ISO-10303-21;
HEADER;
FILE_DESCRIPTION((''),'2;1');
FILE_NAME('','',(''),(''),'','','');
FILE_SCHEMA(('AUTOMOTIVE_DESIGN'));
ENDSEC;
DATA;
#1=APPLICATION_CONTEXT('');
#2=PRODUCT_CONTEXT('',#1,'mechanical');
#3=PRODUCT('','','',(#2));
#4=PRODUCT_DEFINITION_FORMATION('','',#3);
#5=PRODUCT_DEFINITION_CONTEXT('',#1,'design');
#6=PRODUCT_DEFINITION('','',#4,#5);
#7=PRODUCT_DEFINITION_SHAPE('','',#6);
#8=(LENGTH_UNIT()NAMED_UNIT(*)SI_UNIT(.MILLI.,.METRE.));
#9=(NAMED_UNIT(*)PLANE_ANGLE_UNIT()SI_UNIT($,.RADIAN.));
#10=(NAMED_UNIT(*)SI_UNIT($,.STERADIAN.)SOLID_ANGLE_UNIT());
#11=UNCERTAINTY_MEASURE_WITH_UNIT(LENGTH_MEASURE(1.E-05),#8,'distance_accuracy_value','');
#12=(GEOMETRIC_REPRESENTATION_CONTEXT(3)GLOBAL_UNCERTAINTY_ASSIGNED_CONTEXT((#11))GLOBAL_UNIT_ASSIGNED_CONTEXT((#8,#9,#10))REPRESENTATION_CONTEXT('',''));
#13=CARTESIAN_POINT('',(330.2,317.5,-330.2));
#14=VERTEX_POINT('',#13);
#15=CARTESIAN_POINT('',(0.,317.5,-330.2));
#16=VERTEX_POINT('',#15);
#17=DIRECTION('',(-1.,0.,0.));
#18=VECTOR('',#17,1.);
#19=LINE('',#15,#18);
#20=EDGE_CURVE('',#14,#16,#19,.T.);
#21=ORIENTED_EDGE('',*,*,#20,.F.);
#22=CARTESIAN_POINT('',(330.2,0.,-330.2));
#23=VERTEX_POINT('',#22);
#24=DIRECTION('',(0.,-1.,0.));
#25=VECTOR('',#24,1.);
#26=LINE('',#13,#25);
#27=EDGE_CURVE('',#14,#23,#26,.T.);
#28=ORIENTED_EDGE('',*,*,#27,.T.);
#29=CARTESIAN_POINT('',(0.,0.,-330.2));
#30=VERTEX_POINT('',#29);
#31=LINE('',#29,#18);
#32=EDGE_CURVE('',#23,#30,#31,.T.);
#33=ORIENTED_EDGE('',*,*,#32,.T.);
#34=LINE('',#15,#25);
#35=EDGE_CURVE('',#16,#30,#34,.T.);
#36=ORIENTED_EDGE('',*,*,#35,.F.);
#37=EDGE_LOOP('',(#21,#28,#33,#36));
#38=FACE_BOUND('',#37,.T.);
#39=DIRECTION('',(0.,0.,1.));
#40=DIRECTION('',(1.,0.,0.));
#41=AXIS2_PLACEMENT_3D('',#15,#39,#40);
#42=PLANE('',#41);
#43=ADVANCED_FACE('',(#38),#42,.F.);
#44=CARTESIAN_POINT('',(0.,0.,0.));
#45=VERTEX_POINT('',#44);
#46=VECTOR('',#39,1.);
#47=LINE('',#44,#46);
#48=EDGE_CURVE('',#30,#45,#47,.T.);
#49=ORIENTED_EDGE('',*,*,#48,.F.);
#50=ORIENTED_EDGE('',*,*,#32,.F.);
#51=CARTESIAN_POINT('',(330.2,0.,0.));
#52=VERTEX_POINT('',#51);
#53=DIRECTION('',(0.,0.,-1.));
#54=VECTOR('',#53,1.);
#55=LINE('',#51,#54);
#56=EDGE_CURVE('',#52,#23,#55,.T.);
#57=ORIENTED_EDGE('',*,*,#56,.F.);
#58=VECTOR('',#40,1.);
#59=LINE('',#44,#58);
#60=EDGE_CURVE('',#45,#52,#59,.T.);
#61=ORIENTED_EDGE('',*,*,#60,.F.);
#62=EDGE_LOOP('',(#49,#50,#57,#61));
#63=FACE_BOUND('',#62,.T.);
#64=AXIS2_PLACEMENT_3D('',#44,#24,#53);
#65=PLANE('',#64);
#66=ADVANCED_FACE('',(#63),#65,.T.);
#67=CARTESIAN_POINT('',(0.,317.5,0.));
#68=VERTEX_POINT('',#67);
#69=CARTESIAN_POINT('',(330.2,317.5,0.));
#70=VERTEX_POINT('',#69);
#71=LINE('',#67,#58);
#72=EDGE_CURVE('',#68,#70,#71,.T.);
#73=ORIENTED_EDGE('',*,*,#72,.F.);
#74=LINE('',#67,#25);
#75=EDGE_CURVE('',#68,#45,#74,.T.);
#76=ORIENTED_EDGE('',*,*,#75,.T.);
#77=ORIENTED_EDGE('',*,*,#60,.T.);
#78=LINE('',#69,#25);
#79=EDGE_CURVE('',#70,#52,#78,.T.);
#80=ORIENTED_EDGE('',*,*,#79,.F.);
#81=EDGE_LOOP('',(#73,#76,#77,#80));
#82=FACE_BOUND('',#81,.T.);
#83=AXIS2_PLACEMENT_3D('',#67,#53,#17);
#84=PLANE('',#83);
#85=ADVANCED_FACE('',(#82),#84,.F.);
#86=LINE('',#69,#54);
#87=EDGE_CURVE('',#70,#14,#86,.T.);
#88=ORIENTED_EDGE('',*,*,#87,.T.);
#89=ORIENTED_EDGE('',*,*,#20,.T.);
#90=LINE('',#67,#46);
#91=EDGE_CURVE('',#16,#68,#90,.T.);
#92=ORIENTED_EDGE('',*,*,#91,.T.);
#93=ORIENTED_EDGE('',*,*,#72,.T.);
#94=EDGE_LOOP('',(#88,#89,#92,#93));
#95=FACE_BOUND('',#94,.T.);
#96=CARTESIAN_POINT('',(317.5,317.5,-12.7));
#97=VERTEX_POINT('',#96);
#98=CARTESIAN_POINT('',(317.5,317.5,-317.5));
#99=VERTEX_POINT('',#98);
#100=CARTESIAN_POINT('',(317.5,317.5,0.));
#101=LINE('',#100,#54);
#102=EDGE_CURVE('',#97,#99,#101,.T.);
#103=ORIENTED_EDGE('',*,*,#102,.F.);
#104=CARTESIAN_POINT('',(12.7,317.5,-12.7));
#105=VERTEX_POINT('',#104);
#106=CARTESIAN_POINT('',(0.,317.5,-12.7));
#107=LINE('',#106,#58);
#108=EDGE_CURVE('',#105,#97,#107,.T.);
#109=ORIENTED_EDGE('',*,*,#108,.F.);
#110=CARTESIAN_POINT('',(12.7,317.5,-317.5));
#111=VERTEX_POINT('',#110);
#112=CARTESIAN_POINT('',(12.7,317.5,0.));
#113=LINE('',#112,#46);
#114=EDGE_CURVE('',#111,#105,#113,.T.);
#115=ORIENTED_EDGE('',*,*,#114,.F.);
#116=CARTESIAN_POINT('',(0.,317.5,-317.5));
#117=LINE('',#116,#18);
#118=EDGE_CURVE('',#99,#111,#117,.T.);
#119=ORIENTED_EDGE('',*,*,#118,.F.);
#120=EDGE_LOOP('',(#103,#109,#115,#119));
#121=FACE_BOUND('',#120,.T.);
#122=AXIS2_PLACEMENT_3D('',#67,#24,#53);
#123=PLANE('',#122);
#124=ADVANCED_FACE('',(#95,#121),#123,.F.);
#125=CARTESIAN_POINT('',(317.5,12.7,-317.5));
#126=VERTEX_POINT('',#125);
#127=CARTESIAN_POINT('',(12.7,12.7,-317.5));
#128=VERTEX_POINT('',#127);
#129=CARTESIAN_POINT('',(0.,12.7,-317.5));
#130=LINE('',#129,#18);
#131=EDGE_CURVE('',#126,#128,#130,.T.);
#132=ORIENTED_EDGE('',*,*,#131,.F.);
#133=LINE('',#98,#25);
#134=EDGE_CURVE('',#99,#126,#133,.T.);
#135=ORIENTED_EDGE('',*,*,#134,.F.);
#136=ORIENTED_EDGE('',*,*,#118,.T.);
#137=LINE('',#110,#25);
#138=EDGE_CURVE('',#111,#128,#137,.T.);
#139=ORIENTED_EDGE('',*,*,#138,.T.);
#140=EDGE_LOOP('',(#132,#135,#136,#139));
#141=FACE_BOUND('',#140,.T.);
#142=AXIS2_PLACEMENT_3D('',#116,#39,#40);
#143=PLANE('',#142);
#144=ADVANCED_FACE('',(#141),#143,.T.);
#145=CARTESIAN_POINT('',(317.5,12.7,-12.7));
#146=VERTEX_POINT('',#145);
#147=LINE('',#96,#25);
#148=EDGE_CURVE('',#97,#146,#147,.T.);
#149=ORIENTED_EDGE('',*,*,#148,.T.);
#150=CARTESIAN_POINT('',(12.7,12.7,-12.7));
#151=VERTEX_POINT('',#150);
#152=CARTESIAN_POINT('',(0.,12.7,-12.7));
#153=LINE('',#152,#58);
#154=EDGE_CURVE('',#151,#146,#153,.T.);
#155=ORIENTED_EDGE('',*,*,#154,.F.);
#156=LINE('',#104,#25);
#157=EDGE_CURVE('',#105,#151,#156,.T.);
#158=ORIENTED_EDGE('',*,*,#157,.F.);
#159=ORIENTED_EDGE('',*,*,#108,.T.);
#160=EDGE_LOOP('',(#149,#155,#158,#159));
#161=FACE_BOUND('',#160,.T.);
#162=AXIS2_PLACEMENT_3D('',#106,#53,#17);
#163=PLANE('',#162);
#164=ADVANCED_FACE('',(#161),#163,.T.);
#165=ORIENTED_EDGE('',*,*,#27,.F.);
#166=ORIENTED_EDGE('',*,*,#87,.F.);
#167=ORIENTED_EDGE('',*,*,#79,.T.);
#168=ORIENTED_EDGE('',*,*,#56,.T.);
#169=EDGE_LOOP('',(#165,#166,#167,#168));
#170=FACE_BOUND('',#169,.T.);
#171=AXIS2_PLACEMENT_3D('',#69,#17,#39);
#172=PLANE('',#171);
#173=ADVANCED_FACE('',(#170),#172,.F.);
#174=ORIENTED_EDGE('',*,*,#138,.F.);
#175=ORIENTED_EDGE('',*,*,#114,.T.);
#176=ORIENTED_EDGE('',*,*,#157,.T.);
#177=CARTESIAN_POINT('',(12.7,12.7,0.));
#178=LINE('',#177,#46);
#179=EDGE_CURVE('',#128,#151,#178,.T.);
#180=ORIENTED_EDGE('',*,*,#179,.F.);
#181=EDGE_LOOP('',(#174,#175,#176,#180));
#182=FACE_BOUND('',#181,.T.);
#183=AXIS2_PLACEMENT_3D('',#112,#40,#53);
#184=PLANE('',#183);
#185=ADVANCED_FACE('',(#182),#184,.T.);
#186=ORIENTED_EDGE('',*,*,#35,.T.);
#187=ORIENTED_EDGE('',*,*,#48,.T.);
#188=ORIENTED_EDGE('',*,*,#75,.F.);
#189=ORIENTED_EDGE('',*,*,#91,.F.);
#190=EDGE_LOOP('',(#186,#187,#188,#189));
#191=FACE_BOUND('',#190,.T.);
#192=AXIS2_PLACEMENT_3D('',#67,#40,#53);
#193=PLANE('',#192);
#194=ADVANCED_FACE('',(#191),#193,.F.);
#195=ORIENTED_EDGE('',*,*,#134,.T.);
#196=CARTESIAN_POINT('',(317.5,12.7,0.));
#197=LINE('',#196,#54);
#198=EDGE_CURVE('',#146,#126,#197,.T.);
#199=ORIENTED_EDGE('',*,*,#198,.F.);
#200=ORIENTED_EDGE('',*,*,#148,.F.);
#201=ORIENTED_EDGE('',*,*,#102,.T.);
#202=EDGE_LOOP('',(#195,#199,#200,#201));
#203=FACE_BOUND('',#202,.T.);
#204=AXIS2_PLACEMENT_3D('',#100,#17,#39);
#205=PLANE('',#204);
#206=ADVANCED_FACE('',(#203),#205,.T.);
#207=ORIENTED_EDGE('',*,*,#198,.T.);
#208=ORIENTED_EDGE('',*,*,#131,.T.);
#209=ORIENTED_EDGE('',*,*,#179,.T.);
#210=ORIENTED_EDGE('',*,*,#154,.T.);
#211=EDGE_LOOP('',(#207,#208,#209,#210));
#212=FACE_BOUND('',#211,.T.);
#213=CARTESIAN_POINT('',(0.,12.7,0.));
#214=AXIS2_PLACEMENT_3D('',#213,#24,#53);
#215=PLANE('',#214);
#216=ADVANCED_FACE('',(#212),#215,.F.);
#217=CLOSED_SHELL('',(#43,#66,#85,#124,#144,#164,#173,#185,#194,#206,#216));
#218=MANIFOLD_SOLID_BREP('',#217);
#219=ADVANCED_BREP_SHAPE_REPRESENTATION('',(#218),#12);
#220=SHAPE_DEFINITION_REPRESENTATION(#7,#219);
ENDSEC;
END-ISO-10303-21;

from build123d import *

# Parameters (mm, degrees)
SKETCH1_W           = 330.2
SKETCH1_H           = 330.2
BOSS_EXTRUDE1_DEPTH = 317.5
SHELL1_T            = -12.7


with BuildPart() as part:
    # Sketch1 → Boss-Extrude1 (new body)
    with BuildSketch(Plane(origin=(0, 0, 0), x_dir=(1, 0, 0), z_dir=(0, 1, 0))):
        with Locations((165.1, 165.1)):
            Rectangle(SKETCH1_W, SKETCH1_H)
    extrude(amount=BOSS_EXTRUDE1_DEPTH)

    # Shell1
    shell1_openings = [part.faces().sort_by_distance(p)[0] for p in [
        (165.1, 317.5, -165.1),
    ]]
    offset(amount=SHELL1_T, openings=shell1_openings, kind=Kind.INTERSECTION)


solid = part.part
